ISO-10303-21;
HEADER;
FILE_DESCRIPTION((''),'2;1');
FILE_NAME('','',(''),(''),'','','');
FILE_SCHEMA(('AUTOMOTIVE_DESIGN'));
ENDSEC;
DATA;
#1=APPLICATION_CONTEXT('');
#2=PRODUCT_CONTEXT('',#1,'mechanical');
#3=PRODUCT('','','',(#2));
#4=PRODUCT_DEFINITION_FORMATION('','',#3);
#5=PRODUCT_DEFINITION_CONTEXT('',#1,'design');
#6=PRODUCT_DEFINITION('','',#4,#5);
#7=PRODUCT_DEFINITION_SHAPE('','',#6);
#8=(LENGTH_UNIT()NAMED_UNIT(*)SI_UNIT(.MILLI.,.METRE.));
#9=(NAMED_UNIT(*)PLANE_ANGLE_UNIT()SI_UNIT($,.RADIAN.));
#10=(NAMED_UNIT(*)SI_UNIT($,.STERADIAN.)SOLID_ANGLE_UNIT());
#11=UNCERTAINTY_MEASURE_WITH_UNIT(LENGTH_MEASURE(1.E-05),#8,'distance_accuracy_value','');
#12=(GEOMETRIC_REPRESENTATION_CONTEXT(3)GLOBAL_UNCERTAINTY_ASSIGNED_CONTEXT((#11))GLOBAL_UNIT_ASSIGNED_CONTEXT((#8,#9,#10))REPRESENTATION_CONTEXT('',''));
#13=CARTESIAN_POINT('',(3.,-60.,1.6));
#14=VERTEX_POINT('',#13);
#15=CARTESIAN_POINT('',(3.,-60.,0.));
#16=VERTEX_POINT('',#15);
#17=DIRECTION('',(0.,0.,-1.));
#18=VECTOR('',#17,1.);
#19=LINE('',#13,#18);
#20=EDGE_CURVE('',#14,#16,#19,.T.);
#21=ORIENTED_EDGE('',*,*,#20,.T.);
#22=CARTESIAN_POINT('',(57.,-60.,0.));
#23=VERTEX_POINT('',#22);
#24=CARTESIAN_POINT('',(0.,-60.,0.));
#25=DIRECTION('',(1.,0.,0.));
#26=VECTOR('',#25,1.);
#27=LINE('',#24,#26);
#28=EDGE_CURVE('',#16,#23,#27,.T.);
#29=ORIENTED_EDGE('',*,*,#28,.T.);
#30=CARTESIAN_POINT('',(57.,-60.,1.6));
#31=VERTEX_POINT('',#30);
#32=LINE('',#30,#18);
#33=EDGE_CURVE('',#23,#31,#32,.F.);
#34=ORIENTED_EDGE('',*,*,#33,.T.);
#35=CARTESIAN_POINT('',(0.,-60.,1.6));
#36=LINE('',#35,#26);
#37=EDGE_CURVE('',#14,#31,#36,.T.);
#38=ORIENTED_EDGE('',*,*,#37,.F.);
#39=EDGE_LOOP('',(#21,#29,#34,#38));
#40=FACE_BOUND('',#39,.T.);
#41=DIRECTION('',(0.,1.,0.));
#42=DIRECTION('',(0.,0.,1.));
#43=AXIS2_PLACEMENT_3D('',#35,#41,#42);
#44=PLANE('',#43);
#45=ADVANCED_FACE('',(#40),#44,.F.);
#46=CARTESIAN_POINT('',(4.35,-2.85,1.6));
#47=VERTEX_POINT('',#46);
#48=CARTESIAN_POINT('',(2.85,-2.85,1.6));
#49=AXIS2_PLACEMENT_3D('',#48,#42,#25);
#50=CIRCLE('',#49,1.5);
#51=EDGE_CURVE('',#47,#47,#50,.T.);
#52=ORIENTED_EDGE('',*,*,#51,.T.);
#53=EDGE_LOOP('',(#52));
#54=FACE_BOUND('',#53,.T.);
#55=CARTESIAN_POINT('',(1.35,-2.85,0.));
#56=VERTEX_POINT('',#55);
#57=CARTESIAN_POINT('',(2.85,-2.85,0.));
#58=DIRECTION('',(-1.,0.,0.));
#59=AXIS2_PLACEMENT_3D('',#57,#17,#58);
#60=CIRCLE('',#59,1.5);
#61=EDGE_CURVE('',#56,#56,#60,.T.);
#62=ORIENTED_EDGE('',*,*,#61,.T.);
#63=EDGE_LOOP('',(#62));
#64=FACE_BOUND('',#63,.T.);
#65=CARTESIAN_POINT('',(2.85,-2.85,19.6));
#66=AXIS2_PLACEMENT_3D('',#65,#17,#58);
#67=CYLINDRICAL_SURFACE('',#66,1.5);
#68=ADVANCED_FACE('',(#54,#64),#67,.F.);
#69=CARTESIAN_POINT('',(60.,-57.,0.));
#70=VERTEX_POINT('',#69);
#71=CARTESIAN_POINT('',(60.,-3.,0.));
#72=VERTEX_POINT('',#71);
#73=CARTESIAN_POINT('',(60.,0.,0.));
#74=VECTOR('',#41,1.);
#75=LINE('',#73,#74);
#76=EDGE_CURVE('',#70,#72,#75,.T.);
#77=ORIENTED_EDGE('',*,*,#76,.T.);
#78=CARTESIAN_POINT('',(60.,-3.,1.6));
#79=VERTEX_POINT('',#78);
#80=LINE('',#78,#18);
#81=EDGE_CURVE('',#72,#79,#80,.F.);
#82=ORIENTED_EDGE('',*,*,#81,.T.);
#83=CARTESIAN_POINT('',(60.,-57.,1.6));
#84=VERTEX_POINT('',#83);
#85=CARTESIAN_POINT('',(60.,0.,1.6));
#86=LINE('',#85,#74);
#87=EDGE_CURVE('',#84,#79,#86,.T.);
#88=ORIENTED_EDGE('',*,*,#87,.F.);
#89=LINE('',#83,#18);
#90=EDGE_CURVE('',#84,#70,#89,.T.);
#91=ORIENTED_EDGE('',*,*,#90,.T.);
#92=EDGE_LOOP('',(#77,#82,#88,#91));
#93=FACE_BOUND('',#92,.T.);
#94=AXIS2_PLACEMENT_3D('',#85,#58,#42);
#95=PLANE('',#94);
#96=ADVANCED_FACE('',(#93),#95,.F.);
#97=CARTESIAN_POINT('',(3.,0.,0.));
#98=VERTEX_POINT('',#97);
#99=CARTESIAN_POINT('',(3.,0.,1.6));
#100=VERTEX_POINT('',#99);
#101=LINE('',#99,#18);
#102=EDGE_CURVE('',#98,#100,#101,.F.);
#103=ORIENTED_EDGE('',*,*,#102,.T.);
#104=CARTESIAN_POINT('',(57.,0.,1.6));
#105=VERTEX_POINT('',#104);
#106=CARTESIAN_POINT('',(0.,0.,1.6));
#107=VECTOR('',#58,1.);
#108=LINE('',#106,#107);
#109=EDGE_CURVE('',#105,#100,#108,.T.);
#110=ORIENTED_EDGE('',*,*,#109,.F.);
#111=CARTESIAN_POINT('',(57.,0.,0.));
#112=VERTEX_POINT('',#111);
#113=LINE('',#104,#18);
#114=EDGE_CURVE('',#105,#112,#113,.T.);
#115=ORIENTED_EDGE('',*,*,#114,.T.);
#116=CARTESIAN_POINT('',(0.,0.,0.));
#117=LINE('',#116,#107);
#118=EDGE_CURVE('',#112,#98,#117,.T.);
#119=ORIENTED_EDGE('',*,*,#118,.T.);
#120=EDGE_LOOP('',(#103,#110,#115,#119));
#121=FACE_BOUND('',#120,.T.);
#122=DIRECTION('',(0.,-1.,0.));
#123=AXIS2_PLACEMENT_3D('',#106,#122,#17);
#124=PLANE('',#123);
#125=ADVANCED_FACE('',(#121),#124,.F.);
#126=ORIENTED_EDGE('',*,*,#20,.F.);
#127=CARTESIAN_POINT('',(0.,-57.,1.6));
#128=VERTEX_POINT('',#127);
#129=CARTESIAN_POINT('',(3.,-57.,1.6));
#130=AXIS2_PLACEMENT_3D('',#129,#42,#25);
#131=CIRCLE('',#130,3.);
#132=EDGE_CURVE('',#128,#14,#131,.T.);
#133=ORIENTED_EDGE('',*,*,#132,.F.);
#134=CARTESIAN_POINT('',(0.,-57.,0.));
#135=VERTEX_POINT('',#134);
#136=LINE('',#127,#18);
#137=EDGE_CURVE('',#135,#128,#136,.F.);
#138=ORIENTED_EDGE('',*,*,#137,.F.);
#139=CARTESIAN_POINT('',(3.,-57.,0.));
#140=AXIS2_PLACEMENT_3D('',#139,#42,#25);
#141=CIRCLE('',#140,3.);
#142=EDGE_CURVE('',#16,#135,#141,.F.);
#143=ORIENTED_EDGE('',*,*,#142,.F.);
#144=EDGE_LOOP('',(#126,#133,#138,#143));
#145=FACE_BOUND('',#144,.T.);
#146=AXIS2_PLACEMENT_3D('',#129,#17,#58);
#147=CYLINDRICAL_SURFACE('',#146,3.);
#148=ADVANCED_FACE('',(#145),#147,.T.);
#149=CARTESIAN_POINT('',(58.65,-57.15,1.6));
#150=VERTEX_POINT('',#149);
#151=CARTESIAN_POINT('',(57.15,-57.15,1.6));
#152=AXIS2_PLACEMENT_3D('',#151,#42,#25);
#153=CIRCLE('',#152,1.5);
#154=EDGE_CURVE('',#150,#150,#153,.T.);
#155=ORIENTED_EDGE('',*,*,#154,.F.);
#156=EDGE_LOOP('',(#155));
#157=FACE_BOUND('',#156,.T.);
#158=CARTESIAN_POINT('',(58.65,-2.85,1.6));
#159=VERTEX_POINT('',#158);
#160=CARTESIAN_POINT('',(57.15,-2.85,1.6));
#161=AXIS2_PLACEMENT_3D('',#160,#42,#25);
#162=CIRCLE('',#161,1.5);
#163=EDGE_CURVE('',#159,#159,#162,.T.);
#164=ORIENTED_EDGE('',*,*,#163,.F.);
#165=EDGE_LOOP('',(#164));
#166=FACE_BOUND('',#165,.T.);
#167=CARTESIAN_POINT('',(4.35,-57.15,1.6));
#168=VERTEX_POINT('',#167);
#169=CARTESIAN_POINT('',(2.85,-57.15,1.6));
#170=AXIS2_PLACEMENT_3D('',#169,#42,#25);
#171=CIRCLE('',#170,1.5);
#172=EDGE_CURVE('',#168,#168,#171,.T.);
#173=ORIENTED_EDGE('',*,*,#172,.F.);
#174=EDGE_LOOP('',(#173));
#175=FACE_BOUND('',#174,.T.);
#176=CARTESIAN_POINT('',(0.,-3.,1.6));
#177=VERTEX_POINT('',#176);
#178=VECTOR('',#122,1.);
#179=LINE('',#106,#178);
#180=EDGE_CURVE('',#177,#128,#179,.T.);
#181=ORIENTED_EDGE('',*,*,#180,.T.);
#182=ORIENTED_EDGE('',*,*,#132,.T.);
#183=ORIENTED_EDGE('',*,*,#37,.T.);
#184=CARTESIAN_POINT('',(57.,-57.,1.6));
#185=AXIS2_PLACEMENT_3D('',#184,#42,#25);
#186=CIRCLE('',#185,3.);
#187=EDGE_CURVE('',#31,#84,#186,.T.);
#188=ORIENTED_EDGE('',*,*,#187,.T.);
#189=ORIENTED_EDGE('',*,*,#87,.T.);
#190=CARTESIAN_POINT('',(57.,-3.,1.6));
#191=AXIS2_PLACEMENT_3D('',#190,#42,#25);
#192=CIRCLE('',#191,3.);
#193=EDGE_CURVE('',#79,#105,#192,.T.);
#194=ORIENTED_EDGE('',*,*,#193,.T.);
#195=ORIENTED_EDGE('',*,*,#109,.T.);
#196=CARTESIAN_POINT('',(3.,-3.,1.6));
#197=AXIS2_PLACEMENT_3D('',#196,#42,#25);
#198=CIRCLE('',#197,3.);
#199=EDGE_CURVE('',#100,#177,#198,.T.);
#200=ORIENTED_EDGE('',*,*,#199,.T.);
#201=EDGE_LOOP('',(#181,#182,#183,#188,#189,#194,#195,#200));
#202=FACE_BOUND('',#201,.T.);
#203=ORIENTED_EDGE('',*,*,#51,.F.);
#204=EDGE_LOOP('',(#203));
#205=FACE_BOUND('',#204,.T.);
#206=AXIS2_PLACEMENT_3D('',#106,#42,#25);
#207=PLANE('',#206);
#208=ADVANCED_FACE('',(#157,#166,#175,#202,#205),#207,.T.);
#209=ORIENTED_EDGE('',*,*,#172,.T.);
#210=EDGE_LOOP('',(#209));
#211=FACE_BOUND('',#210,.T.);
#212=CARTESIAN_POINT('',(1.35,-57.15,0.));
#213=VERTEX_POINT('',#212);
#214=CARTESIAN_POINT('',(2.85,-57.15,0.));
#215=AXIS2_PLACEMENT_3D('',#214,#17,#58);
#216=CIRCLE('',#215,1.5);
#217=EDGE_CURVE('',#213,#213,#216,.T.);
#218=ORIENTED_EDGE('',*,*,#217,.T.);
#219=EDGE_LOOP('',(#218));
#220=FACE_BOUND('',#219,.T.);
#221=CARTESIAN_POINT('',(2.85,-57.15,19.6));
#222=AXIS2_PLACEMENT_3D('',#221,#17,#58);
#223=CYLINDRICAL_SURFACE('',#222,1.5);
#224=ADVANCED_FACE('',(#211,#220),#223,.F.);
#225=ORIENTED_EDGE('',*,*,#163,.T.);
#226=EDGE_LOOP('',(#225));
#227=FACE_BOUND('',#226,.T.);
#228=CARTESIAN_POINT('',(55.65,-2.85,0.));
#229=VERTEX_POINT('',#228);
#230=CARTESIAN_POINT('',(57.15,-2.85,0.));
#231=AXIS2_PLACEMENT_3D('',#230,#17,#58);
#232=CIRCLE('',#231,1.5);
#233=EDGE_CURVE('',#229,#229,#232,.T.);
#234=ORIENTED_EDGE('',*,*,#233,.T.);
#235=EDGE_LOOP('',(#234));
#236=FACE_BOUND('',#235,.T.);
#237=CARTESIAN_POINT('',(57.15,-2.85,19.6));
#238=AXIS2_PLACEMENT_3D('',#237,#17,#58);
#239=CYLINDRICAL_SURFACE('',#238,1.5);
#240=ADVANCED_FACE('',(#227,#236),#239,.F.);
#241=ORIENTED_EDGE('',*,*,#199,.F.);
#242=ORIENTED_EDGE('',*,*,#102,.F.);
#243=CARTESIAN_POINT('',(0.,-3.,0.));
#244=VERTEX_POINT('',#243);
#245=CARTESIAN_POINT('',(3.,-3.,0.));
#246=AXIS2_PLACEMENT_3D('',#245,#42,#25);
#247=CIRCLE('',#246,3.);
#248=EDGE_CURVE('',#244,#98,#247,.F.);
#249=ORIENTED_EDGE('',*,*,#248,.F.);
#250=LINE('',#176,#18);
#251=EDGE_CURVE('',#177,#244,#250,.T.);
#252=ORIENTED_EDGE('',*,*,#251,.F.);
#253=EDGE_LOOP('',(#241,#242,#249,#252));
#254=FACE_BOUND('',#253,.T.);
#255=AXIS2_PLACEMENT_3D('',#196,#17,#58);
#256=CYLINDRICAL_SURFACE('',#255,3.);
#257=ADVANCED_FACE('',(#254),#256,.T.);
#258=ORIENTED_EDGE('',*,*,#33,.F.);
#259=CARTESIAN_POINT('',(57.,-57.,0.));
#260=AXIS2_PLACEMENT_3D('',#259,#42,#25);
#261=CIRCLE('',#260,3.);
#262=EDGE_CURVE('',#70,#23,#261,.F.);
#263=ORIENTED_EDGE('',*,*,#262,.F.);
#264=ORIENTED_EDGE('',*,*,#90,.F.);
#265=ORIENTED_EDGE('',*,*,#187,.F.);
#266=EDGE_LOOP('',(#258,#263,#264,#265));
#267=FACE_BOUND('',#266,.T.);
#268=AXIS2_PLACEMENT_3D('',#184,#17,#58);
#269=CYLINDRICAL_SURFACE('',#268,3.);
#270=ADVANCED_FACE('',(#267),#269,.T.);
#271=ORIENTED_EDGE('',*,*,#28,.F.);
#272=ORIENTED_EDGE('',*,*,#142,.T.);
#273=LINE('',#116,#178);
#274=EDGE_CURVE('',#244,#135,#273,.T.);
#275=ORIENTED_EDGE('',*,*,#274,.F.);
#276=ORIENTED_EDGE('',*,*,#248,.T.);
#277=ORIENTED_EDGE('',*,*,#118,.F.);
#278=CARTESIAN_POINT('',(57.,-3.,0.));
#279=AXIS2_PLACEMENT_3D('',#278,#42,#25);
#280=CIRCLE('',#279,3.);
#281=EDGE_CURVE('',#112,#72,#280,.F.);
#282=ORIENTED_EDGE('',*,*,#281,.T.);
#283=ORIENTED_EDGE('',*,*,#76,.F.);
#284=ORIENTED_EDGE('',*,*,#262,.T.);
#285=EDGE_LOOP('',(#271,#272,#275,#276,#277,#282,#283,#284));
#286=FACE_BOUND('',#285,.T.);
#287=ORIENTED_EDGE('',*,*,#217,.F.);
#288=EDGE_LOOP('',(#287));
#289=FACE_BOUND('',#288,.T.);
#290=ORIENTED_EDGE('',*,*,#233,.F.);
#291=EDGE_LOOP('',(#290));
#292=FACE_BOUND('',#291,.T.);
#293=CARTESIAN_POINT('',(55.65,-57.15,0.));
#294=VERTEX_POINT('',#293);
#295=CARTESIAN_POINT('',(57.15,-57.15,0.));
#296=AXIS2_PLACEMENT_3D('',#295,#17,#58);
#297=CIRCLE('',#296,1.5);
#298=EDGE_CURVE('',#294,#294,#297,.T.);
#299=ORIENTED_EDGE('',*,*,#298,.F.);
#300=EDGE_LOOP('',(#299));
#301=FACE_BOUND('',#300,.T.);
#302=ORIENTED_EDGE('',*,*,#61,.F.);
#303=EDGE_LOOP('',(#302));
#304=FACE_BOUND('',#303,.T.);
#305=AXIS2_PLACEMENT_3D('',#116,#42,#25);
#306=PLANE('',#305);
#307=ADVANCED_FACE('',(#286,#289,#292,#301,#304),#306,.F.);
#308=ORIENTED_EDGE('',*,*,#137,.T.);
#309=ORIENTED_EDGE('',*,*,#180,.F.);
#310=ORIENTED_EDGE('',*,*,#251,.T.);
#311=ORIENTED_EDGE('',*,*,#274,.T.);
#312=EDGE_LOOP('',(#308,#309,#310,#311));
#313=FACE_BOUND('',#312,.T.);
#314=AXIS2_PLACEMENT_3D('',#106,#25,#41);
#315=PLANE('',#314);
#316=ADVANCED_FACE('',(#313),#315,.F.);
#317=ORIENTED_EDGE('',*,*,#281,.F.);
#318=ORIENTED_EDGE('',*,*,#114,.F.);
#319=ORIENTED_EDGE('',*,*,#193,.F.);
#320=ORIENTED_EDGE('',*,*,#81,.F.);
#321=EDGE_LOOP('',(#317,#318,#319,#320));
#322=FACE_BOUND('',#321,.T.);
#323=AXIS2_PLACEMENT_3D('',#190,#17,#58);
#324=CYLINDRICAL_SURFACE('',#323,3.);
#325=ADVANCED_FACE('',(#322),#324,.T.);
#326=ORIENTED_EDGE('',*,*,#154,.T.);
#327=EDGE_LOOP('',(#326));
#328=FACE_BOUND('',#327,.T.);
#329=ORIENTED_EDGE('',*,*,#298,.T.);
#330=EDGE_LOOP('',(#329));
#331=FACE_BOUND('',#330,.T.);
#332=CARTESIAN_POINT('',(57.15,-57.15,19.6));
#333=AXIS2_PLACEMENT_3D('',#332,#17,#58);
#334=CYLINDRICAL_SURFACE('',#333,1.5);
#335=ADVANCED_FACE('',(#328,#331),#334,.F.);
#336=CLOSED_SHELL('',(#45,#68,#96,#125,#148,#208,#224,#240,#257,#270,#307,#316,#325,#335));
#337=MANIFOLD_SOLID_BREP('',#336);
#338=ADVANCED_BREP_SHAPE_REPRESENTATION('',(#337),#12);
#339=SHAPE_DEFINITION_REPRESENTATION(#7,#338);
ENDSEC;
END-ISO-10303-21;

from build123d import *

# Parameters (mm, degrees)
SKETCH_1_W          = 60
SKETCH_1_H          = 60
EXTRUDE_2_DEPTH     = 1.6
SKETCH_3_R          = 1.5
CUT_EXTRUDE_1_DEPTH = 19.6
FILLET_1_R          = 3
FILLET_2_R          = 3
FILLET_3_R          = 3
FILLET_4_R          = 3


with BuildPart() as part:
    # 草图1 → 凸台-拉伸2 (new body)
    with BuildSketch(Plane.XY):
        with Locations((30, -30)):
            Rectangle(SKETCH_1_W, SKETCH_1_H)
    extrude(amount=EXTRUDE_2_DEPTH)

    # 草图3 → 切除-拉伸1 (cut)
    with BuildSketch(Plane(origin=(0, 0, 0), x_dir=(-1, 0, 0), z_dir=(0, 0, -1))):
        with Locations((-57.15, -2.85)):
            Circle(SKETCH_3_R)
        with Locations((-2.85, -2.85)):
            Circle(SKETCH_3_R)
        with Locations((-2.85, -57.15)):
            Circle(SKETCH_3_R)
        with Locations((-57.15, -57.15)):
            Circle(SKETCH_3_R)
    extrude(amount=-CUT_EXTRUDE_1_DEPTH, mode=Mode.SUBTRACT)

    # 圆角1
    fillet_1_edges = [part.edges().sort_by_distance(p)[0] for p in [
        (60, 0, 0.8),
    ]]
    fillet(fillet_1_edges, radius=FILLET_1_R)

    # 圆角2
    fillet_2_edges = [part.edges().sort_by_distance(p)[0] for p in [
        (0, 0, 0.8),
    ]]
    fillet(fillet_2_edges, radius=FILLET_2_R)

    # 圆角3
    fillet_3_edges = [part.edges().sort_by_distance(p)[0] for p in [
        (0, -60, 0.8),
    ]]
    fillet(fillet_3_edges, radius=FILLET_3_R)

    # 圆角4
    fillet_4_edges = [part.edges().sort_by_distance(p)[0] for p in [
        (60, -60, 0.8),
    ]]
    fillet(fillet_4_edges, radius=FILLET_4_R)


solid = part.part
